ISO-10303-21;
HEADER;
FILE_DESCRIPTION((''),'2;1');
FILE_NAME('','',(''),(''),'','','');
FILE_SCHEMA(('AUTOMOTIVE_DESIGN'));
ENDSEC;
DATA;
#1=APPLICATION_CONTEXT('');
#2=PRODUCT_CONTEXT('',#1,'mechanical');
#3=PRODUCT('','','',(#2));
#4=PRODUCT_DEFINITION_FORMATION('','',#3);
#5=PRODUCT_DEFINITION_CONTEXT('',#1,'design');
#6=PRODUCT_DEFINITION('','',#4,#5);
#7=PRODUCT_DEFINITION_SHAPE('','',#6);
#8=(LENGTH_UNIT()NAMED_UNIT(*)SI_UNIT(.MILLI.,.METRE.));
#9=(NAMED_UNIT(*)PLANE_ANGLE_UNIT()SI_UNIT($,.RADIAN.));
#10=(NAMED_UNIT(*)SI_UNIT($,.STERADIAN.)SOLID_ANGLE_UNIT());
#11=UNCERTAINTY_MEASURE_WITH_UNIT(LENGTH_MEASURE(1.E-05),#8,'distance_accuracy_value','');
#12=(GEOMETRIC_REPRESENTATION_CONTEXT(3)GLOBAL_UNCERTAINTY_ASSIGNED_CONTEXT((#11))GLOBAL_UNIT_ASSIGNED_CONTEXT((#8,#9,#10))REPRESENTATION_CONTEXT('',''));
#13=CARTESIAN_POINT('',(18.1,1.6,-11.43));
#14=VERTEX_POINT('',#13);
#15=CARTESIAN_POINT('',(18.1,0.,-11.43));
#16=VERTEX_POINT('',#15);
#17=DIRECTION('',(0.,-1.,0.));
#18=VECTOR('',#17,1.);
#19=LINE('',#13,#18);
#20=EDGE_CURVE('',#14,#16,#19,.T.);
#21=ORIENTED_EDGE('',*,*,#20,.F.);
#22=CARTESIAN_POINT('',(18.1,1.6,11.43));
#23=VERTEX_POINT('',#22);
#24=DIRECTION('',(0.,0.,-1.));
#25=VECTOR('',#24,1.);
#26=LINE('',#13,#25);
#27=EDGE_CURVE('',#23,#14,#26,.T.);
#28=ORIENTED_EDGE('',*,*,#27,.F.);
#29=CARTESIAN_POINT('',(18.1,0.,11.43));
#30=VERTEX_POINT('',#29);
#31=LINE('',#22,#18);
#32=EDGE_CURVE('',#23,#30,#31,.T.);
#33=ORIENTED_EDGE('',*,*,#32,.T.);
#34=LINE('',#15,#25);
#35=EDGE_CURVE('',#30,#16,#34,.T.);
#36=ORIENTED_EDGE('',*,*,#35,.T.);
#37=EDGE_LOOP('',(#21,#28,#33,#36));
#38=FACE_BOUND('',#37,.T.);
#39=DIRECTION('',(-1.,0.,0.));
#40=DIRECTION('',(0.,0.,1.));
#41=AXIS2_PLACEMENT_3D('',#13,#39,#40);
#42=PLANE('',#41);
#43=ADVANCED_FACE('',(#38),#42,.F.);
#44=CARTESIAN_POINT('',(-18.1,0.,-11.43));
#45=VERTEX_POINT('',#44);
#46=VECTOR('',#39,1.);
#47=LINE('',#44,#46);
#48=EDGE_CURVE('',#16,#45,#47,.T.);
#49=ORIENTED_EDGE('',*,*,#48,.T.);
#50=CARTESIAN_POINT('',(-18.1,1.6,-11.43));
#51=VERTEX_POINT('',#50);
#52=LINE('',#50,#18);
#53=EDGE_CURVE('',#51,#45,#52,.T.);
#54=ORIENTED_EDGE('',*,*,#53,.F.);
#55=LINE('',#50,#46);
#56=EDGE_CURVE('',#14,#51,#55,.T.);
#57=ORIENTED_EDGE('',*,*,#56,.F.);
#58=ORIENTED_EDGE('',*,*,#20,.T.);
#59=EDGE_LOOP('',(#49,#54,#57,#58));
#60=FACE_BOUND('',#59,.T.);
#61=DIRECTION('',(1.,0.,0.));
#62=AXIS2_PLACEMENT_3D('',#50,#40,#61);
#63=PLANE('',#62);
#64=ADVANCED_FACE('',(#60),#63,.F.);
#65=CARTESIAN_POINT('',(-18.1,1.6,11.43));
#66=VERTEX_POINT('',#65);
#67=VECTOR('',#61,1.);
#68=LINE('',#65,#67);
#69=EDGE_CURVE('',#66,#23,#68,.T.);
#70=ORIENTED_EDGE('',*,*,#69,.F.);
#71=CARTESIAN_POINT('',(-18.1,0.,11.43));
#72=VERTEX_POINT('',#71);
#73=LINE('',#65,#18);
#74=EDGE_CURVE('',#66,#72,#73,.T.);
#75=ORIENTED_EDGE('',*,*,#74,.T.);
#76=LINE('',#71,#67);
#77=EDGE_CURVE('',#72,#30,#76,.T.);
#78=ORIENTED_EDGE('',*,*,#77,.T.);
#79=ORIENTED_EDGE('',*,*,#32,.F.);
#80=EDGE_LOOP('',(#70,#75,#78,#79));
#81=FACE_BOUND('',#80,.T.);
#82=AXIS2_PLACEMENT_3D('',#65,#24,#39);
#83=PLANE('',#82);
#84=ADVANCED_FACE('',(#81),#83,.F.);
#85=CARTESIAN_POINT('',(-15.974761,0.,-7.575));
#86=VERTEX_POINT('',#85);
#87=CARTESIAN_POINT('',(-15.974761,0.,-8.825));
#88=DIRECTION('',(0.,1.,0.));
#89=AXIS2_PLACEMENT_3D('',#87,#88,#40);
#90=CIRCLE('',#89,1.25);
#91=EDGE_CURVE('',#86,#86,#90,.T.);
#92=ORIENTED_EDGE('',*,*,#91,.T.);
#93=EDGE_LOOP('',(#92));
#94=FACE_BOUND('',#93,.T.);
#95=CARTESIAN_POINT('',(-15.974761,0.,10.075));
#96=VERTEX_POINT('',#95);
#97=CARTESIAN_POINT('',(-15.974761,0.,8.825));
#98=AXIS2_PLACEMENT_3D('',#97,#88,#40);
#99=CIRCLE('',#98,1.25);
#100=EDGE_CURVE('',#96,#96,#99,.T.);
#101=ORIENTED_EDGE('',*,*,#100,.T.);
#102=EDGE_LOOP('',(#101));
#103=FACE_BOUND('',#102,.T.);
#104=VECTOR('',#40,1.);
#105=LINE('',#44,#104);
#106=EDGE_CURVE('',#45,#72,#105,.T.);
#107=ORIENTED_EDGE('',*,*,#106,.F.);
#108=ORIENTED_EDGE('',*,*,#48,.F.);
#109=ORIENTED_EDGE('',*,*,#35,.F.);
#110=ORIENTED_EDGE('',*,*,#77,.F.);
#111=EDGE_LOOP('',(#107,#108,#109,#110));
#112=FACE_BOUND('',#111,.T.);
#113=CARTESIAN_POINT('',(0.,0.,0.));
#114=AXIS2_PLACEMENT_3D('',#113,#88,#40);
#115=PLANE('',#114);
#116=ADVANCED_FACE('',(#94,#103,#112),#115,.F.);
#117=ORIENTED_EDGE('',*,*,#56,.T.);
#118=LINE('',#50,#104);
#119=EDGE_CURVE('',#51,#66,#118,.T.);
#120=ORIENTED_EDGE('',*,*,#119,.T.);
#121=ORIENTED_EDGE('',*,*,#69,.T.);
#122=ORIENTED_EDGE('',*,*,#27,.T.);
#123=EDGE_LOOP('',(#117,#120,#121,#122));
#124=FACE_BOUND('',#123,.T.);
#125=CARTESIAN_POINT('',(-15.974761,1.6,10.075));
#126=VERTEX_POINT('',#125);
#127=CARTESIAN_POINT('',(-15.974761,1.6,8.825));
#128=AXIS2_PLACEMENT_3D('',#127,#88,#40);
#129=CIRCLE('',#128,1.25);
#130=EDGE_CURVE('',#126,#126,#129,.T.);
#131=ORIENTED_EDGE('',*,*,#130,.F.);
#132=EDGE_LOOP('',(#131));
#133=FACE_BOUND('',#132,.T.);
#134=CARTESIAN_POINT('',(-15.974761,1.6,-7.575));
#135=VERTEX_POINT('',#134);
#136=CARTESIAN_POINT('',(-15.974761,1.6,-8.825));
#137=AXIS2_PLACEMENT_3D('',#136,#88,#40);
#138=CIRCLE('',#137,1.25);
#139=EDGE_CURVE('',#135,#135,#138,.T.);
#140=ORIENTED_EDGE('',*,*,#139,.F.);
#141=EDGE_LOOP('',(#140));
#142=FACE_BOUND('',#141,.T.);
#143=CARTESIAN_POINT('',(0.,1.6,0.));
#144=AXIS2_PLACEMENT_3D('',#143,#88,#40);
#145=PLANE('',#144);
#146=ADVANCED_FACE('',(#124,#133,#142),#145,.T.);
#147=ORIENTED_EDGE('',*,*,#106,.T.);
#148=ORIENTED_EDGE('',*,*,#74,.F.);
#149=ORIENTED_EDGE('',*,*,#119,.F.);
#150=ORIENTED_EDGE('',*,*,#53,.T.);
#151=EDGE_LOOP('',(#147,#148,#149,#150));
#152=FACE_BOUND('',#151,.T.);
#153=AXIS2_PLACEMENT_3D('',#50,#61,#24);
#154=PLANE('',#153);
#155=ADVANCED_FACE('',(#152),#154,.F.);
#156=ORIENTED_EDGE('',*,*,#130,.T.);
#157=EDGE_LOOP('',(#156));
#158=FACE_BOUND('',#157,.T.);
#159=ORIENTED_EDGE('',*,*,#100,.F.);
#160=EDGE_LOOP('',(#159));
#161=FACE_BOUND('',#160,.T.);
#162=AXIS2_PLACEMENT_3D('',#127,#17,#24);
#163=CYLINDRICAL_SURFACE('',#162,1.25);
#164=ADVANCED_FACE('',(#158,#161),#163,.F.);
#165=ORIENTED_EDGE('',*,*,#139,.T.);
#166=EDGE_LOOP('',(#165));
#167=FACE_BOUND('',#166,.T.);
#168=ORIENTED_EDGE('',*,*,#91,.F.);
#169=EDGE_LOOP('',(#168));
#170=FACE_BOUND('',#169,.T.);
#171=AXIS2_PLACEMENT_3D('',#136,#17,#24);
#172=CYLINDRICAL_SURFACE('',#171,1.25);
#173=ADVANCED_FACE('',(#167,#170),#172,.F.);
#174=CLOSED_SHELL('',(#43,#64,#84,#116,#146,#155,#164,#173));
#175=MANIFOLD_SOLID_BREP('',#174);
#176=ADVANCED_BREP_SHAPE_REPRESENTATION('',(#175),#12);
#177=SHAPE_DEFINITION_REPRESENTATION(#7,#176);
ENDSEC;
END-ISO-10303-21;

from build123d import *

# Parameters (mm, degrees)
SKETCH1_W           = 36.2
SKETCH1_H           = 22.86
SKETCH1_R           = 1.25
BOSS_EXTRUDE1_DEPTH = 1.6


with BuildPart() as part:
    # Sketch1 → Boss-Extrude1 (new body)
    with BuildSketch(Plane(origin=(0, 0, 0), x_dir=(1, 0, 0), z_dir=(0, 1, 0))):
        Rectangle(SKETCH1_W, SKETCH1_H)
        with Locations(Location((-15.974760747, 8.825, 0), (0, 0, 270))):
            Circle(SKETCH1_R, mode=Mode.SUBTRACT)
        with Locations(Location((-15.974760747, -8.825, 0), (0, 0, 270))):
            Circle(SKETCH1_R, mode=Mode.SUBTRACT)
    extrude(amount=BOSS_EXTRUDE1_DEPTH)


solid = part.part
